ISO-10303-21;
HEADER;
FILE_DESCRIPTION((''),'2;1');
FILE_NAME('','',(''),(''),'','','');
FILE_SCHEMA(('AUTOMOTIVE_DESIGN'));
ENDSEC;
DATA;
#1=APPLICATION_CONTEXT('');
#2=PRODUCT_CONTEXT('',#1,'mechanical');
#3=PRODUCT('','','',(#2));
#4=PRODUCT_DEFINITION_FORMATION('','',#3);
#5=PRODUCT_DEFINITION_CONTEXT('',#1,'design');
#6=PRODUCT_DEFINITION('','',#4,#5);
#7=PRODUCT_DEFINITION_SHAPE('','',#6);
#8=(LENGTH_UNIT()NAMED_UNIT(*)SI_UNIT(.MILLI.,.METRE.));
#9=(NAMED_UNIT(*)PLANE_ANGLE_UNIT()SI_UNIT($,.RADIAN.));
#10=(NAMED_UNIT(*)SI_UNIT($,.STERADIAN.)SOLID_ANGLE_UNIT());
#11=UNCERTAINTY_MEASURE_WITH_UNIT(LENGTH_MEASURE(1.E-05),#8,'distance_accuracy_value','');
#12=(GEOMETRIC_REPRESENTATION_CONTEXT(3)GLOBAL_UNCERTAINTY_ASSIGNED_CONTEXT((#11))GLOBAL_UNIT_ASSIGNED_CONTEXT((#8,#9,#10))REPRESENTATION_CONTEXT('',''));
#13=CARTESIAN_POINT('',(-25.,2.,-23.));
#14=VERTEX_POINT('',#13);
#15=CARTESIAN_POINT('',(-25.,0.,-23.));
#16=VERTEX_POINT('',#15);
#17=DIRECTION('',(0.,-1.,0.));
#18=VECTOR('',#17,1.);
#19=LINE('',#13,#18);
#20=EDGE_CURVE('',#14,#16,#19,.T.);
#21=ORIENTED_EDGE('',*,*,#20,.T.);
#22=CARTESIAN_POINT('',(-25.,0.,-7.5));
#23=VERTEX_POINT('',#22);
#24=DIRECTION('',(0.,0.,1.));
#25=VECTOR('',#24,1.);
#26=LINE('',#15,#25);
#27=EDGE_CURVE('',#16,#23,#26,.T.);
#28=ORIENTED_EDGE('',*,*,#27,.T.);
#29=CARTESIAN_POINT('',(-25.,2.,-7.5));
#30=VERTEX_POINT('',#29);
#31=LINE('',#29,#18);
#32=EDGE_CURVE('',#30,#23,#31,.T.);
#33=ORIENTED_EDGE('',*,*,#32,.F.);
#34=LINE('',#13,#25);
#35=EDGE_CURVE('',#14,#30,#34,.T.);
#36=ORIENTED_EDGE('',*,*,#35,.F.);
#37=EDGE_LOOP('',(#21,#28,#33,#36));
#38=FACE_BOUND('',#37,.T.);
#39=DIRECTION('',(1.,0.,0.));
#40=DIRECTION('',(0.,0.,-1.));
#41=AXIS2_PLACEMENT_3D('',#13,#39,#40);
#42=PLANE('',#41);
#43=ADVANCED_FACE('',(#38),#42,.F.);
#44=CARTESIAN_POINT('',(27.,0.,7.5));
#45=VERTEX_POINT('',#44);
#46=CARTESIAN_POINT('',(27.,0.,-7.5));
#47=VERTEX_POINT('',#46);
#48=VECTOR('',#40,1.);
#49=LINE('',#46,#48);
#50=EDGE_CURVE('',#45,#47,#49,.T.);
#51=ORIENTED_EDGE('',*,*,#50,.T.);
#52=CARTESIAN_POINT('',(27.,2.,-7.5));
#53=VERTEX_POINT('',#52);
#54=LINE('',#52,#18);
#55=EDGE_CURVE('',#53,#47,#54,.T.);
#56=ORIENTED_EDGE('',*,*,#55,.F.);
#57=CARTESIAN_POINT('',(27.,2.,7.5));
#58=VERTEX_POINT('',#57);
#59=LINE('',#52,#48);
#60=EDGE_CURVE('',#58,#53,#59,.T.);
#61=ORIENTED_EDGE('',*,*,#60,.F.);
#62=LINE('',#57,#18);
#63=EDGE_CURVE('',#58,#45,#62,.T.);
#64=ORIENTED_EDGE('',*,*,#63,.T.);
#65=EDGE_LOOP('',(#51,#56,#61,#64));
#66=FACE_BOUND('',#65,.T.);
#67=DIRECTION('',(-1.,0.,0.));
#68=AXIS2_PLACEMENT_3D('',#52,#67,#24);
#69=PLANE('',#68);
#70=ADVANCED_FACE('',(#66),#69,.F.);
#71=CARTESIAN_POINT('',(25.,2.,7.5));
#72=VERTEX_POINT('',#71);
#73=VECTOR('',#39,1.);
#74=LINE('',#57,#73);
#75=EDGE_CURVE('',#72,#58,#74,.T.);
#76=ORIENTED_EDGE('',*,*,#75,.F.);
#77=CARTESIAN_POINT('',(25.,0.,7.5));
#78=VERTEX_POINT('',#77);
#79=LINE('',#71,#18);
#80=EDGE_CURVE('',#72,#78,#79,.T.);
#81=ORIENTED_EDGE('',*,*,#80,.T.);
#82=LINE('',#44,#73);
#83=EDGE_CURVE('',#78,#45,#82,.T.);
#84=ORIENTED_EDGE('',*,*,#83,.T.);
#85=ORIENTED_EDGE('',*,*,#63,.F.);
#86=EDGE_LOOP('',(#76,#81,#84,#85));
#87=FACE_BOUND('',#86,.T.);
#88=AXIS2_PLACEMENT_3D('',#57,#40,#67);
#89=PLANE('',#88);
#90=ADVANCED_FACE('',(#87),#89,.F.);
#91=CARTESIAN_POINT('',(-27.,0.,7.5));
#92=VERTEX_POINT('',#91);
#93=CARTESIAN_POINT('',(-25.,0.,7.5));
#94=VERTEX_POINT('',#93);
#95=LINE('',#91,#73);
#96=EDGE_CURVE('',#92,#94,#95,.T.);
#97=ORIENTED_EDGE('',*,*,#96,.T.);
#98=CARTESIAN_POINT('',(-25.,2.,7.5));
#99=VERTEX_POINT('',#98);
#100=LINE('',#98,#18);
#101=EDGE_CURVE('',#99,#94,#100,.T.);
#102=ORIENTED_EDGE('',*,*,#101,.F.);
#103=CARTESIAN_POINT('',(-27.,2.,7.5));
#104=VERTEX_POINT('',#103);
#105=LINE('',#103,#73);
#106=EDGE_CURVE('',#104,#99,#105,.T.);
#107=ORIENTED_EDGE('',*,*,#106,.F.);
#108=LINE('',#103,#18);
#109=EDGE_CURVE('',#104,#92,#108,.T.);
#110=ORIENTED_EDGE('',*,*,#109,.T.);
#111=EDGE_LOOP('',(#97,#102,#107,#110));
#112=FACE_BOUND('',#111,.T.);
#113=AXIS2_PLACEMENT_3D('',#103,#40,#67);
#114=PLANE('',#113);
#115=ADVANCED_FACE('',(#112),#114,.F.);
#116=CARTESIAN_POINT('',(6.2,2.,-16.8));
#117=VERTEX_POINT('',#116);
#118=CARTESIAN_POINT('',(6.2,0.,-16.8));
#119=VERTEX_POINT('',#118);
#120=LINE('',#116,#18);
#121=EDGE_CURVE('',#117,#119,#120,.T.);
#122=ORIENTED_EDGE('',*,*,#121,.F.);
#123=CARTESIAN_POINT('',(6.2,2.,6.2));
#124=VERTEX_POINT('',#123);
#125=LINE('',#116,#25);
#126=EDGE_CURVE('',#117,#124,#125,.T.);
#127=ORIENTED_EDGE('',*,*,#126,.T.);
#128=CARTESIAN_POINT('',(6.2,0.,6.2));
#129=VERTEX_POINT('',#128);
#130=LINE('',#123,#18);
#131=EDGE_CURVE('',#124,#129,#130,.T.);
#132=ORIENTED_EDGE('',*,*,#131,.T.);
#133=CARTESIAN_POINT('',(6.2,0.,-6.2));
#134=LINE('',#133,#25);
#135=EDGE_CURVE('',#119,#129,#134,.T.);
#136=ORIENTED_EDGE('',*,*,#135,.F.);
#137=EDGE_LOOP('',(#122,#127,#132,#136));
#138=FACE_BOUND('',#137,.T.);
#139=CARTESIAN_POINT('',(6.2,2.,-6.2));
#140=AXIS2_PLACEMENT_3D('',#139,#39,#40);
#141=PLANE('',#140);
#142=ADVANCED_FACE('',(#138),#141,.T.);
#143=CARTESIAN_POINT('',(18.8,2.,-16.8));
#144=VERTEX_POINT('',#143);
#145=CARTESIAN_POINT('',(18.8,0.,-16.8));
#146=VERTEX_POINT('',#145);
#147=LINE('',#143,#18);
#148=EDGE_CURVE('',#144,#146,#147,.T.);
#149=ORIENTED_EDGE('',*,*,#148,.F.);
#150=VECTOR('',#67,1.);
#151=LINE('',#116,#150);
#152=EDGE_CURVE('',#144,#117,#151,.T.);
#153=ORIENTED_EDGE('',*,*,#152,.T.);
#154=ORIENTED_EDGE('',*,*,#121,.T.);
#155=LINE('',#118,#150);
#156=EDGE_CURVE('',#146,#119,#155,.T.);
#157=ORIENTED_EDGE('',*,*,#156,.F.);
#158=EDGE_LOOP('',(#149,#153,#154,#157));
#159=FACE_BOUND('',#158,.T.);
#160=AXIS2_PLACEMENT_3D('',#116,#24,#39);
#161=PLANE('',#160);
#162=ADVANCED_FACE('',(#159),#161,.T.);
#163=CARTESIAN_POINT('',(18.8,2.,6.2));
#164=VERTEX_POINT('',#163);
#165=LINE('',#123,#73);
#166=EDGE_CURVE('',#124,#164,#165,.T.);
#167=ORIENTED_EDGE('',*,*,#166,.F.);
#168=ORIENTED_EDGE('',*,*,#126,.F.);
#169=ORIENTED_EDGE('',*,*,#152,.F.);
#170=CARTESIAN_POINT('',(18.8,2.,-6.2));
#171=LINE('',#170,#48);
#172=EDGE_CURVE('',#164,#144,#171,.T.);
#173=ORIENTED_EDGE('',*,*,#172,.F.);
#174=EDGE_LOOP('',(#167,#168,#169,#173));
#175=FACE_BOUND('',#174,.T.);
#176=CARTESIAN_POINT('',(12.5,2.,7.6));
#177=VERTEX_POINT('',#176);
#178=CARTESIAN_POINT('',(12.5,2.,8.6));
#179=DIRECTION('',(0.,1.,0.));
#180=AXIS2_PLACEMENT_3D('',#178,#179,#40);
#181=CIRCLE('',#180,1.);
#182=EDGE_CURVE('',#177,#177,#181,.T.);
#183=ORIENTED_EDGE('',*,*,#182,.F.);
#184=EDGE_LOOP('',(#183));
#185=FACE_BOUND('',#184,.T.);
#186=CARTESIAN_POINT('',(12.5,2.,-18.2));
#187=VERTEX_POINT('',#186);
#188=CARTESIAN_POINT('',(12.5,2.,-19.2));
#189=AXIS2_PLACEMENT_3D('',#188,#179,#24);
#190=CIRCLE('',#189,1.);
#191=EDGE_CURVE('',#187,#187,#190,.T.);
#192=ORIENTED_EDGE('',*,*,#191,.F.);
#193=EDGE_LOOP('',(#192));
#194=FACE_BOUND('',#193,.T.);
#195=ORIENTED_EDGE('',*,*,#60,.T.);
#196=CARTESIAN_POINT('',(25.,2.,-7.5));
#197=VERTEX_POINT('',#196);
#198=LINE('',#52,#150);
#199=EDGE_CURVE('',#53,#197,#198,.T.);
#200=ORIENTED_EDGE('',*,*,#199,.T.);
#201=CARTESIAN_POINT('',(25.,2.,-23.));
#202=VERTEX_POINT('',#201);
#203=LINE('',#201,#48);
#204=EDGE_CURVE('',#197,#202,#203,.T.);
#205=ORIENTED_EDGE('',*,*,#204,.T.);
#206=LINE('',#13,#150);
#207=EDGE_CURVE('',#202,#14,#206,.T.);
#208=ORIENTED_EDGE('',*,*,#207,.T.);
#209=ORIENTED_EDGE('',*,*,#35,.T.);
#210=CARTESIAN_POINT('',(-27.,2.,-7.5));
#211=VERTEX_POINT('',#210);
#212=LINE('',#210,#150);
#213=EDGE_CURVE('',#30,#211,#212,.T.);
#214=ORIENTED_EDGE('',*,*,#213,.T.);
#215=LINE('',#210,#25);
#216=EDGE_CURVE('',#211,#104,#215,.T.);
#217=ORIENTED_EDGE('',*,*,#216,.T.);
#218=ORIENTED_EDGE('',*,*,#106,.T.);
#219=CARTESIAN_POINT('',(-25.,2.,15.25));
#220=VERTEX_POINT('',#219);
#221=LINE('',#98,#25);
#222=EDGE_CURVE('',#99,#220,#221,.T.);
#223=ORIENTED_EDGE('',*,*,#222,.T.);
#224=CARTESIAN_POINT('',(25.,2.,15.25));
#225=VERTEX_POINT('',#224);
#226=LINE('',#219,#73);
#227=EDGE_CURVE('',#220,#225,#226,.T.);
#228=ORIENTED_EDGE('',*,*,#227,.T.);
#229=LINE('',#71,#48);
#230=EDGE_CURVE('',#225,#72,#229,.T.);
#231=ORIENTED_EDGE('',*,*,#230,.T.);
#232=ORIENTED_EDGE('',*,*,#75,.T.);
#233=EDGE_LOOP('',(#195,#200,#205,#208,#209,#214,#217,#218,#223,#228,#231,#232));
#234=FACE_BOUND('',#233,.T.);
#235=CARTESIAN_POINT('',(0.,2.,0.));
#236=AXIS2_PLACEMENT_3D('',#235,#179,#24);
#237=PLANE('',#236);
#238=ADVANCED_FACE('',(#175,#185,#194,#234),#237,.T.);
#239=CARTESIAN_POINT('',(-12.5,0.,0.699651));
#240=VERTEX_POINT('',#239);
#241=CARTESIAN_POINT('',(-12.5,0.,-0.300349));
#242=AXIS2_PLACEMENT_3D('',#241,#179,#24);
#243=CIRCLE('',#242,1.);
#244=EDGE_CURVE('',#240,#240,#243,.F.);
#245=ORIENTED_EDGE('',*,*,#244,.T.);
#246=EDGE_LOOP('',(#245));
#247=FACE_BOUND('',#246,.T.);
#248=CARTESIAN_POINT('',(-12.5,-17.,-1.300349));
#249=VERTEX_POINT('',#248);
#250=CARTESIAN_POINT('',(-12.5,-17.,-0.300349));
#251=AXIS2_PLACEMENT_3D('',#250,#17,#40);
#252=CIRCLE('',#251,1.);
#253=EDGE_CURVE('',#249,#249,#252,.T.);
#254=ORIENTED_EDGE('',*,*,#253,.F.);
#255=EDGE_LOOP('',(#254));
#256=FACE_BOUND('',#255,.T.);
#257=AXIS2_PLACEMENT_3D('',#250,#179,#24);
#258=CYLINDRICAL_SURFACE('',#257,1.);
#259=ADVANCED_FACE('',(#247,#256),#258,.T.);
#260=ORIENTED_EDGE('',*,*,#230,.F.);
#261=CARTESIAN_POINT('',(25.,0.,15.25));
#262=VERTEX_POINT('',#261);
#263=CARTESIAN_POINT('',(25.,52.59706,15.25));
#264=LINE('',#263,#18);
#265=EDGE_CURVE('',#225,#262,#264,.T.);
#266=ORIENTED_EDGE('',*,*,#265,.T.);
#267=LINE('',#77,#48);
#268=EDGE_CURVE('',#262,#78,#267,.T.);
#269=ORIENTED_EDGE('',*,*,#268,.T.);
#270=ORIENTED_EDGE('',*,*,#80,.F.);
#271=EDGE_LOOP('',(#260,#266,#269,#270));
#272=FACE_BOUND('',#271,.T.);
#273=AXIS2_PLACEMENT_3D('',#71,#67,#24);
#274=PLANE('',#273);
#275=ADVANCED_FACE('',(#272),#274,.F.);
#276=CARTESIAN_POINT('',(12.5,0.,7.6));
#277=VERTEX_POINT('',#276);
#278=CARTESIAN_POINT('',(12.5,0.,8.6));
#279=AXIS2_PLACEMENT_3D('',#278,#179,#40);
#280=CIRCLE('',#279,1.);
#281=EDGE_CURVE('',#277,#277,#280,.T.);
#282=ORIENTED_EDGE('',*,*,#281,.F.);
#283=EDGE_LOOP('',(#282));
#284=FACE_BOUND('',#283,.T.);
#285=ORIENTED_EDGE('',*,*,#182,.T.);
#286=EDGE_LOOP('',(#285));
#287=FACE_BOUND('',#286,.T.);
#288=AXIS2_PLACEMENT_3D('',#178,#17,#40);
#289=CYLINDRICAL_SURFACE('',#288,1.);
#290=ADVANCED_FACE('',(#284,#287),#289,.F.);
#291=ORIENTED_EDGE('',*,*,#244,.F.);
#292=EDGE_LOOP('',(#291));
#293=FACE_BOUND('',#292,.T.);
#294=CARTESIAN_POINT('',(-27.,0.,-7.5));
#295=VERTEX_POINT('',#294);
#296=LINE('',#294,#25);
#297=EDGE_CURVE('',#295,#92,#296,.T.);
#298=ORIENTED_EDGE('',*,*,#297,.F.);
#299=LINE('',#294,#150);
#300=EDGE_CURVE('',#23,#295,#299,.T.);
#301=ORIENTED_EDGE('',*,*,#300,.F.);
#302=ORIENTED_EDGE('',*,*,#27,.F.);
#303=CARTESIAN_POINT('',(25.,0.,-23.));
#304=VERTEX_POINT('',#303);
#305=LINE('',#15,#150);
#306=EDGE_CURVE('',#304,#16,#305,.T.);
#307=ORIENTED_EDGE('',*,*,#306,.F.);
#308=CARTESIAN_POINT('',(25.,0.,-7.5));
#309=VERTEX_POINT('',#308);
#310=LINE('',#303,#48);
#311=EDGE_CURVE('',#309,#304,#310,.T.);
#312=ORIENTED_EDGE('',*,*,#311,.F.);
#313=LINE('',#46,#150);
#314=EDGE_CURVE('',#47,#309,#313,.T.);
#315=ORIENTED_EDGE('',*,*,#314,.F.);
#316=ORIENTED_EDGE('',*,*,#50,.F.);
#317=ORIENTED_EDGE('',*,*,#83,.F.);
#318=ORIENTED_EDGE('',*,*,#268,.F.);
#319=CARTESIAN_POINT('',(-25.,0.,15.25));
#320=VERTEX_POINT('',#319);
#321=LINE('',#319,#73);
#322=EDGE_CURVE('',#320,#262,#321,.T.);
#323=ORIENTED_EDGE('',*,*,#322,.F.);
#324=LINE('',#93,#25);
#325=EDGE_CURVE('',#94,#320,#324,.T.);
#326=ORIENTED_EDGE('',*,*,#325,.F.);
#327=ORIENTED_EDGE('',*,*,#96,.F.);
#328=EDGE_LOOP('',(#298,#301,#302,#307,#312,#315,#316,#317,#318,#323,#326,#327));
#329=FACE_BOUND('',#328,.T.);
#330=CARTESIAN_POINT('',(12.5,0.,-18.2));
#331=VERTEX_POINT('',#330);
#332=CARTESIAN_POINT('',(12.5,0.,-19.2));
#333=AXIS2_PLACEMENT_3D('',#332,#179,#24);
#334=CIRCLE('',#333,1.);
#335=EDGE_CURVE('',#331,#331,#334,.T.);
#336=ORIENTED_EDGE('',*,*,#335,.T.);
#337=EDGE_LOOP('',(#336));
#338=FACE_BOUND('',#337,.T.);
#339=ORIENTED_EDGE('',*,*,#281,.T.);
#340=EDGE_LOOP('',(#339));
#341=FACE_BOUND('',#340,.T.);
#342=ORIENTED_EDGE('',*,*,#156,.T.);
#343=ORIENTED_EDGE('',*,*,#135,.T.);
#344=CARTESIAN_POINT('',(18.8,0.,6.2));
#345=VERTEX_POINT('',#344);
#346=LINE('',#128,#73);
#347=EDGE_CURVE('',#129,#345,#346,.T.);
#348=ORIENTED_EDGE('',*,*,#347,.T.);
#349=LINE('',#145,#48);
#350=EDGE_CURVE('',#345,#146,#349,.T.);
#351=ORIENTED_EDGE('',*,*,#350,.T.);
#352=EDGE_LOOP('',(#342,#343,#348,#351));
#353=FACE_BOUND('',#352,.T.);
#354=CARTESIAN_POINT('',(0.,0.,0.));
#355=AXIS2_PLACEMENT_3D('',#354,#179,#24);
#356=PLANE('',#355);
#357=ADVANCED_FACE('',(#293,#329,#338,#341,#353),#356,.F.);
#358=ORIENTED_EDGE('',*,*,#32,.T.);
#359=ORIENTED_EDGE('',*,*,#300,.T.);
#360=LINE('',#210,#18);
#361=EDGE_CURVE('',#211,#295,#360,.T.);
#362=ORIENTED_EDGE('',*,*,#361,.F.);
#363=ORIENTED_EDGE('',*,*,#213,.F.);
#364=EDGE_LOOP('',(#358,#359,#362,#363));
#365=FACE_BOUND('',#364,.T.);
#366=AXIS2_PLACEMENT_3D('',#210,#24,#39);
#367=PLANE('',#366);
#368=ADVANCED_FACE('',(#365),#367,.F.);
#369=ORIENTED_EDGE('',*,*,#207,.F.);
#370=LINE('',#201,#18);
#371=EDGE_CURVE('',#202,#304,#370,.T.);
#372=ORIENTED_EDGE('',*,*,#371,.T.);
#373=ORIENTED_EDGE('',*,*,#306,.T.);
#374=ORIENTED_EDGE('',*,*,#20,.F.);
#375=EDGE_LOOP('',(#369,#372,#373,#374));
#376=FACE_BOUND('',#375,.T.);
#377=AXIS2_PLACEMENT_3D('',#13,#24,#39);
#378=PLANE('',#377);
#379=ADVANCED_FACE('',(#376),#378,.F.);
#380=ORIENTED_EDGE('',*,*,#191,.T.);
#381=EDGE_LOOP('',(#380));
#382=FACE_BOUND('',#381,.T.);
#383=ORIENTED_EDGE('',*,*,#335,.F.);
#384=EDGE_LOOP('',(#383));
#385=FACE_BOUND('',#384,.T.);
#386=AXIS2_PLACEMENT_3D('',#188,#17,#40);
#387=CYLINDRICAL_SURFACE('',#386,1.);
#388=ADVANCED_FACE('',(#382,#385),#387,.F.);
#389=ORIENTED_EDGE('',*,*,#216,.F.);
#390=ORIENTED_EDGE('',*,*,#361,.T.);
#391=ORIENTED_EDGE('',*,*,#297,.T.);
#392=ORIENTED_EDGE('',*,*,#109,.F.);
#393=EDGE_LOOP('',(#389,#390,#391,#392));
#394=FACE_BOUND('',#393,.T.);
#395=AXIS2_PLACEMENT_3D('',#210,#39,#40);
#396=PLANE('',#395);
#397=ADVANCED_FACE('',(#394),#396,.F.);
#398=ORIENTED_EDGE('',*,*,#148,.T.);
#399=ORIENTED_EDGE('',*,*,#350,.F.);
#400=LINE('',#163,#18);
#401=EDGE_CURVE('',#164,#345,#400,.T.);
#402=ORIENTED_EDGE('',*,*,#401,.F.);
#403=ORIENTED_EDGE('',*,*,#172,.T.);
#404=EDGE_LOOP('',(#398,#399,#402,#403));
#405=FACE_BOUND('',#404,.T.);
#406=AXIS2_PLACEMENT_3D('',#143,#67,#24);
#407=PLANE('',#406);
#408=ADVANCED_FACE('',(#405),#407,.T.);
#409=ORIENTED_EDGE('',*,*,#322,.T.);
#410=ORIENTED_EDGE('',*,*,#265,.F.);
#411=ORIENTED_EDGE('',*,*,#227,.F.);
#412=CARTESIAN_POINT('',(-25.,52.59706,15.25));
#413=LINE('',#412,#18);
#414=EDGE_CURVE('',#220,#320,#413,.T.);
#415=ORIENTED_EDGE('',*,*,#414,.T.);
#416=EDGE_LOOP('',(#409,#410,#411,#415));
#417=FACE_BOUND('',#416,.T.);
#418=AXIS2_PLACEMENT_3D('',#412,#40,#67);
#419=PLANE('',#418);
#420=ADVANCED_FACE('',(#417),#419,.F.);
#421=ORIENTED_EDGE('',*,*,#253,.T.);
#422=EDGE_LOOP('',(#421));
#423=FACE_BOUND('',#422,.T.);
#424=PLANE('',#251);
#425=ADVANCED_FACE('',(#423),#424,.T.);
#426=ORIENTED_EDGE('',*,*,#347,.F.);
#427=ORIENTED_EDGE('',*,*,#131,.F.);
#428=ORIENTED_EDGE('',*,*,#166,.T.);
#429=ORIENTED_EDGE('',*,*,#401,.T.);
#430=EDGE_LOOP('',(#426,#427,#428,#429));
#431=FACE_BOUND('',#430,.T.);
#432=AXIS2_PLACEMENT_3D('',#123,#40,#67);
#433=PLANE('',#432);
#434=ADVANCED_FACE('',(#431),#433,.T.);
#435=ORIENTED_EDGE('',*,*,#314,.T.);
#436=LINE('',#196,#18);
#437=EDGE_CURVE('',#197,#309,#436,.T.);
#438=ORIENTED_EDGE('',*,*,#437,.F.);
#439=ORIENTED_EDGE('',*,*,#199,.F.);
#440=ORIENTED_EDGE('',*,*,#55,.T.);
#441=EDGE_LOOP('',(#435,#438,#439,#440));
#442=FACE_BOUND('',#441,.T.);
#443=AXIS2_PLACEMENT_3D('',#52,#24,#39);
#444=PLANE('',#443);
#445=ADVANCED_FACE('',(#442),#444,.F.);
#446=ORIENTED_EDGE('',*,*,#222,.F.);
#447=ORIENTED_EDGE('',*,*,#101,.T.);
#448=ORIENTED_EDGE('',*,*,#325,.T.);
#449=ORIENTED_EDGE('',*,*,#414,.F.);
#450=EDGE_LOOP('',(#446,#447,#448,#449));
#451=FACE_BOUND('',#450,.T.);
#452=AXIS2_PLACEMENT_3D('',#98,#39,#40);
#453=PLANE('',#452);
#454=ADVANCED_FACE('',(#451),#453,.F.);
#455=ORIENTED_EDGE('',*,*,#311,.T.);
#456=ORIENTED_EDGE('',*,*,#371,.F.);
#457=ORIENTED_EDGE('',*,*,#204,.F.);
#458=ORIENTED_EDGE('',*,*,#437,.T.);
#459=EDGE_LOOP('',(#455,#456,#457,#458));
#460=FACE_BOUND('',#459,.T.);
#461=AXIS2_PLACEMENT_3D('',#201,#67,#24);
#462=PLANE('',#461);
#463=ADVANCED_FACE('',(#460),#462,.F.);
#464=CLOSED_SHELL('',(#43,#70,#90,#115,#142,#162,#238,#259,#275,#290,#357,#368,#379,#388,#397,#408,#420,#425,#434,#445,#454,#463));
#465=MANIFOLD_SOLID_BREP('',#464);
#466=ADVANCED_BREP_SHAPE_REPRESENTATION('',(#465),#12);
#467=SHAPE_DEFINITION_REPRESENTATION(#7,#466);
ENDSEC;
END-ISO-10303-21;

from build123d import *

# Parameters (mm, degrees)
SKETCH1_R           = 1
BOSS_EXTRUDE1_DEPTH = 2
SKETCH2_R           = 1
BOSS_EXTRUDE2_DEPTH = 17
SKETCH3_W           = 50
SKETCH3_H           = 7.75
CUT_EXTRUDE1_DEPTH  = 2


with BuildPart() as part:
    # Sketch1 → Boss-Extrude1 (new body)
    with BuildSketch(Plane(origin=(0, 0, 0), x_dir=(1, 0, 0), z_dir=(0, 1, 0))):
        Polygon((-25, 23), (25, 23), (25, 7.5), (27, 7.5), (27, -7.5), (25, -7.5), (25, -23), (-25, -23), (-25, -7.5), (-27, -7.5), (-27, 7.5), (-25, 7.5), align=None)
        with Locations(Location((12.5, 19.2, 0), (0, 0, 270))):
            Circle(SKETCH1_R, mode=Mode.SUBTRACT)
        with Locations(Location((12.5, -8.6, 0), (0, 0, 90))):
            Circle(SKETCH1_R, mode=Mode.SUBTRACT)
        Polygon((6.2, 16.8), (6.2, 6.2), (6.2, -6.2), (18.8, -6.2), (18.8, 6.2), (18.8, 16.8), align=None, mode=Mode.SUBTRACT)
    extrude(amount=BOSS_EXTRUDE1_DEPTH)

    # Sketch2 → Boss-Extrude2 (add)
    with BuildSketch(Plane.XZ):
        with Locations(Location((-12.5, -0.300349058, 0), (0, 0, 90))):
            Circle(SKETCH2_R)
    extrude(amount=BOSS_EXTRUDE2_DEPTH)

    # Sketch3 → Cut-Extrude1 (cut)
    with BuildSketch(Plane.XZ):
        with Locations((0, 19.125)):
            Rectangle(SKETCH3_W, SKETCH3_H)
    extrude(amount=-CUT_EXTRUDE1_DEPTH, mode=Mode.SUBTRACT)


solid = part.part
